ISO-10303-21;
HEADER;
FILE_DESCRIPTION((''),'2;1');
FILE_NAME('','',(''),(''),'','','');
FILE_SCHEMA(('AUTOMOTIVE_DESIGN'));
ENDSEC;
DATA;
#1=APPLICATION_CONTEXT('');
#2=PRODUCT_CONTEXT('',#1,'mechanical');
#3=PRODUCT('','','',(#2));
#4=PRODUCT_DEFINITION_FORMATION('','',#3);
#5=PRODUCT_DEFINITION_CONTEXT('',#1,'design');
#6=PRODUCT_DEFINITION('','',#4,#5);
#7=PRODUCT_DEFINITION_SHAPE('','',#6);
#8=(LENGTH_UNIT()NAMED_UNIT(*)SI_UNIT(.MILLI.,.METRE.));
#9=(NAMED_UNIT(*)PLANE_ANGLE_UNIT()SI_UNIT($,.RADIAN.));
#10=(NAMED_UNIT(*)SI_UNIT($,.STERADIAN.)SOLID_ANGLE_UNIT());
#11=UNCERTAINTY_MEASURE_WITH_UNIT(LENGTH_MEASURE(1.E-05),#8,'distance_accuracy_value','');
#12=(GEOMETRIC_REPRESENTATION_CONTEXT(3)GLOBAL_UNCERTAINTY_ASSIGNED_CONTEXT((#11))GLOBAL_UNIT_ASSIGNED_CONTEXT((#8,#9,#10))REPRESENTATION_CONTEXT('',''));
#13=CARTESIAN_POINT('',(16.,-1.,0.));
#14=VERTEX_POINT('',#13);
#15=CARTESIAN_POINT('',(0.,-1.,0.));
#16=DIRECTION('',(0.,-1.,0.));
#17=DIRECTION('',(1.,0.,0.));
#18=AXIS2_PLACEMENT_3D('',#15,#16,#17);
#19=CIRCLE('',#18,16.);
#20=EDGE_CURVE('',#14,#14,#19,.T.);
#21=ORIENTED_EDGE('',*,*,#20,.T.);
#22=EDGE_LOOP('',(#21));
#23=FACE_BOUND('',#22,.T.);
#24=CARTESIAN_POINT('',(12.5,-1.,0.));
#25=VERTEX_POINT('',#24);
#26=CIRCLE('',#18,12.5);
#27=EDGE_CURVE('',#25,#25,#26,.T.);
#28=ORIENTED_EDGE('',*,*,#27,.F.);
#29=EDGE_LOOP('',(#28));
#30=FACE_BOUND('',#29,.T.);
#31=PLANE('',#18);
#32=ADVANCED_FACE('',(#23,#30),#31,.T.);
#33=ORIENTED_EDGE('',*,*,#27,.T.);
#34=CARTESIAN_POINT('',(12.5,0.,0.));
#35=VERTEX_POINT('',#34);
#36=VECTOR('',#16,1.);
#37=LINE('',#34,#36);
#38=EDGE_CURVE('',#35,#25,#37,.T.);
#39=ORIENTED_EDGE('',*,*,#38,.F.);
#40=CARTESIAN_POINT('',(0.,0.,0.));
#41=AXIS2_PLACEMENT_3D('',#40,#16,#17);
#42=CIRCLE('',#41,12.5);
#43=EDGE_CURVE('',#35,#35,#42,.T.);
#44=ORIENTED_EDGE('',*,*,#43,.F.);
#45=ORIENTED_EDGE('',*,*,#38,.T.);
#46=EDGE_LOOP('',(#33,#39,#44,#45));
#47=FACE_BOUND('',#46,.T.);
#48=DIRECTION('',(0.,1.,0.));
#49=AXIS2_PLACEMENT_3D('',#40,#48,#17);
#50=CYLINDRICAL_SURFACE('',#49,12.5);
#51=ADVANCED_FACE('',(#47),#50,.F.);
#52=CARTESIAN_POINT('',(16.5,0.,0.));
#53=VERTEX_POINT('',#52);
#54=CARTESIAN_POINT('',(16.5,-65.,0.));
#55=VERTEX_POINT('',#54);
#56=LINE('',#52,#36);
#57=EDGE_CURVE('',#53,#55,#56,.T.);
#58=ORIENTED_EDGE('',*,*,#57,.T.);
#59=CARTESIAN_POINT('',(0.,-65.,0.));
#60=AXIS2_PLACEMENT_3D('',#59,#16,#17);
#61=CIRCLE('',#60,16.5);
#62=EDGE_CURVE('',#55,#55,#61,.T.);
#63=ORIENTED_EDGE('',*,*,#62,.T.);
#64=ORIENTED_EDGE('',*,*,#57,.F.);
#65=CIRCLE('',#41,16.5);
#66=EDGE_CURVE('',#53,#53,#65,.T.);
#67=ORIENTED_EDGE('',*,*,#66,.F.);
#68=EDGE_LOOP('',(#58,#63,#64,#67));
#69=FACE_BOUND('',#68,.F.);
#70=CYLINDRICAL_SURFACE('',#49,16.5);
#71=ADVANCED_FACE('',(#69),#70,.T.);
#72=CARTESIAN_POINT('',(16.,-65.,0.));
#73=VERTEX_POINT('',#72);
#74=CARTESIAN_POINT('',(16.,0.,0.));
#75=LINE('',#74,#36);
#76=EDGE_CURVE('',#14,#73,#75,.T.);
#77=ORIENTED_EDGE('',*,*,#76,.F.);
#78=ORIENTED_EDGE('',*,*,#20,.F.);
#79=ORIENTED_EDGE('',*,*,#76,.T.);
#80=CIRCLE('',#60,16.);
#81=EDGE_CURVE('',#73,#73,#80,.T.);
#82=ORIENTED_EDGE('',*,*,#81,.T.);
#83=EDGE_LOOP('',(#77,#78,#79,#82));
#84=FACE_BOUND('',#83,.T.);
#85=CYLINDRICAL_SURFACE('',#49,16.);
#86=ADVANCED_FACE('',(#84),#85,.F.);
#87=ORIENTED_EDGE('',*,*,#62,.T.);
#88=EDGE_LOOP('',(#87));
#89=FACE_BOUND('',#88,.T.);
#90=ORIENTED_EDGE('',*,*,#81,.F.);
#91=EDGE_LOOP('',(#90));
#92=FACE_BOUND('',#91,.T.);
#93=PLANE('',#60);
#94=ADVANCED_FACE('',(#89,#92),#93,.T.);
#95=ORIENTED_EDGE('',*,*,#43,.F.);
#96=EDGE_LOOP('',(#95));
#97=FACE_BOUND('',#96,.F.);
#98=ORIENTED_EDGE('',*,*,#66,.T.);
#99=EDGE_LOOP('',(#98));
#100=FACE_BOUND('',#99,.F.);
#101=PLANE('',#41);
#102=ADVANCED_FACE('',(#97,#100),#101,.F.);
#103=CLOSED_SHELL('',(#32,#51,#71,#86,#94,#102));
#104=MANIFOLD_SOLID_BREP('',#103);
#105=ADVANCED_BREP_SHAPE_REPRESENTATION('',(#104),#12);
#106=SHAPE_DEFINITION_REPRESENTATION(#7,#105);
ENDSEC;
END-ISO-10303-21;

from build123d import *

# Parameters (mm, degrees)
F0_R     = 16.5
F0_R_2   = 16
F1_DEPTH = 65
F2_R     = 16
F2_R_2   = 12.5
F3_DEPTH = 1


with BuildPart() as f1:
    # F0 (on Front) → F1 (new body)
    with BuildSketch(Plane.XZ):
        Circle(F0_R)
        Circle(F0_R_2, mode=Mode.SUBTRACT)
    extrude(amount=F1_DEPTH)

    # F2 (on face) → F3 (join)
    with BuildSketch(Plane.XZ):
        Circle(F2_R)
        Circle(F2_R_2, mode=Mode.SUBTRACT)
    extrude(amount=F3_DEPTH)


solid = f1.part
